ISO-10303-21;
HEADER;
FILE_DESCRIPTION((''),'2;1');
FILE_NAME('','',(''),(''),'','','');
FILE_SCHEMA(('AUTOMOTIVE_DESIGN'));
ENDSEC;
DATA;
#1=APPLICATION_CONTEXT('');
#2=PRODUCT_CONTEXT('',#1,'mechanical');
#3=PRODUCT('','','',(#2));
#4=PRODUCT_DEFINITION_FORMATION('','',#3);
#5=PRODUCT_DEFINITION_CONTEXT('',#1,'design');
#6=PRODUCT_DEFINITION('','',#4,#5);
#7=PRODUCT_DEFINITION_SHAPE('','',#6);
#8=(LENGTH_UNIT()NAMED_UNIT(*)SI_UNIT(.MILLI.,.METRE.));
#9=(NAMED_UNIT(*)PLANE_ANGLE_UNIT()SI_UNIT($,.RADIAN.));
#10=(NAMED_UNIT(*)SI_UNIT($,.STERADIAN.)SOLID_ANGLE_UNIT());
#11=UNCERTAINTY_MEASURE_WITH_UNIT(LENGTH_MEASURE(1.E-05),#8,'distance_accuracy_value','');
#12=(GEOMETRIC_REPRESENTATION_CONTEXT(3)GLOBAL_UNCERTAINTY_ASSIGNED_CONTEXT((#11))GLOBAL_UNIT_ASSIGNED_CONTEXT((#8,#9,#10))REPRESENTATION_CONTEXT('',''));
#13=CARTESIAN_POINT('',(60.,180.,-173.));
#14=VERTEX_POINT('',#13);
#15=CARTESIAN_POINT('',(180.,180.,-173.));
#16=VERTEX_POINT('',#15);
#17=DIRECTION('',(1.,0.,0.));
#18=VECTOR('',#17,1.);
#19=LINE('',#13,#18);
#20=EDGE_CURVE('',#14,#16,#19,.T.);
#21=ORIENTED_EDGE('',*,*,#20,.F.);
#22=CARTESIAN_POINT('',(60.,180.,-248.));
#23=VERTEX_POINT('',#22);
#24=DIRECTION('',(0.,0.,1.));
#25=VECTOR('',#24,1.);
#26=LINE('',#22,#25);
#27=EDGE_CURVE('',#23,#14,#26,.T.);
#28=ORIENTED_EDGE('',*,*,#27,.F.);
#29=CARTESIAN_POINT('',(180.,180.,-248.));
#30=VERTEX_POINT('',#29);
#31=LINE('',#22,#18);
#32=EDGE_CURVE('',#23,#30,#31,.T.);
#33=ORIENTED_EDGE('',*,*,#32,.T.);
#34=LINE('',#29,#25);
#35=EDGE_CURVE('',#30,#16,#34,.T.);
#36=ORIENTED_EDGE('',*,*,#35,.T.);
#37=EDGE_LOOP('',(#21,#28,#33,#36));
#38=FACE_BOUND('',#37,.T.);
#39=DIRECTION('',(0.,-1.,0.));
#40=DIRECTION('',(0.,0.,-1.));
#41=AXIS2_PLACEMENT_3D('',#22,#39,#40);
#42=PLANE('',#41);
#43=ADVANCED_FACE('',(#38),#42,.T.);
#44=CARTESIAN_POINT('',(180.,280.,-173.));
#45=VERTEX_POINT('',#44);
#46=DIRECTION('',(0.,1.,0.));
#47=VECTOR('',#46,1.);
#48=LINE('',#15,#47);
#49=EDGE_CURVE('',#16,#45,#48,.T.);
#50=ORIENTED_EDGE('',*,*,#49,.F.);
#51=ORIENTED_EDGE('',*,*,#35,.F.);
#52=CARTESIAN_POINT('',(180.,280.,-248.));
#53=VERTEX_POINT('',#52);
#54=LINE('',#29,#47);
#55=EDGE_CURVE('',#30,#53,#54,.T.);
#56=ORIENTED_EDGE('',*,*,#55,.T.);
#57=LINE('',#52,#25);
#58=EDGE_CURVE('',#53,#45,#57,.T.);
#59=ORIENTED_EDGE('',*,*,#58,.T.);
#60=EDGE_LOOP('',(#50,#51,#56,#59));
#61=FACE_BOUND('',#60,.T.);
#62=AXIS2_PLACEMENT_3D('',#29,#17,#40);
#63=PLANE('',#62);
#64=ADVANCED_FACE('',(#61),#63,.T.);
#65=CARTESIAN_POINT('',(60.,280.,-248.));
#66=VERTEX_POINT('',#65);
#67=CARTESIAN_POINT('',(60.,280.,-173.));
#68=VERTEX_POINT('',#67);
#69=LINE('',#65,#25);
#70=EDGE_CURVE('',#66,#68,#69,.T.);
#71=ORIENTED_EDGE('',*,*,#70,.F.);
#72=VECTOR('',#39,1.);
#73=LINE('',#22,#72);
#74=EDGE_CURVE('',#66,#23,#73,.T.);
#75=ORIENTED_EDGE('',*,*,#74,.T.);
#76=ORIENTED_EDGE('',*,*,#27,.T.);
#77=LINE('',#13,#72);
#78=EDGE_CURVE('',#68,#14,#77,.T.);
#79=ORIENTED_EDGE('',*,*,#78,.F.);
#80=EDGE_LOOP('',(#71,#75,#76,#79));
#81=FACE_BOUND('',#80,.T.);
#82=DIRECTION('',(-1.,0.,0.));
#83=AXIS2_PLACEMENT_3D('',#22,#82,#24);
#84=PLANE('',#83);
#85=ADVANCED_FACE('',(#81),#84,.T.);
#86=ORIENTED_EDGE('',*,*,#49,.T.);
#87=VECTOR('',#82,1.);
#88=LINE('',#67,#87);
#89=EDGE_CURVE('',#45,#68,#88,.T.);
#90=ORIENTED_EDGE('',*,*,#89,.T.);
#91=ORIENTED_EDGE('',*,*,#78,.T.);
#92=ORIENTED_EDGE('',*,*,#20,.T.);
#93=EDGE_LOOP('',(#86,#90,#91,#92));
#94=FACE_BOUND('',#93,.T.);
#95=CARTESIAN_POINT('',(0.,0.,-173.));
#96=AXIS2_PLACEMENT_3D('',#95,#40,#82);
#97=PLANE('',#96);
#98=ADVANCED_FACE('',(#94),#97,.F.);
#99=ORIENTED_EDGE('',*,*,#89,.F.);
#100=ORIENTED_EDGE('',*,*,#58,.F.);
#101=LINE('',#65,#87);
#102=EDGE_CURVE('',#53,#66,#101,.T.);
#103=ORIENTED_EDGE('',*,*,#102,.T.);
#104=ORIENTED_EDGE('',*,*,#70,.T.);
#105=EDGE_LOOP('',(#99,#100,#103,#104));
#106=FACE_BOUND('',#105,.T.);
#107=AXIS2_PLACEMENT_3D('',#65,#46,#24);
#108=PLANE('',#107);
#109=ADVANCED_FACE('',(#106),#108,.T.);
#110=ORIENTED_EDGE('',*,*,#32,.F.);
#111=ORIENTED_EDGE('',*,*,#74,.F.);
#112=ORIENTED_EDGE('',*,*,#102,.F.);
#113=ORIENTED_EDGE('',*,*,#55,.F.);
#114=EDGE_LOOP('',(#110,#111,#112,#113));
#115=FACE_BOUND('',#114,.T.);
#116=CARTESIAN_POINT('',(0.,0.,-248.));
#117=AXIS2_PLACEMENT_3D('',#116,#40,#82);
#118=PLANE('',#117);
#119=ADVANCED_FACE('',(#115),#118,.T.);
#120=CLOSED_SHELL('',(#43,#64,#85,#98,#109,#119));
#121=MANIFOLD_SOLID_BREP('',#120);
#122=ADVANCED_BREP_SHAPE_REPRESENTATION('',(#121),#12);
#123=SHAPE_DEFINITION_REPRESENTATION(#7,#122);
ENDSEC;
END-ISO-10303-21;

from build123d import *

# Parameters (mm, degrees)
PACK_PANO_PLC_IO_1_START = -173
SKETCH1_W                = 120
SKETCH1_H                = 100
PACK_PANO_PLC_IO_1_DEPTH = 75


with BuildPart() as part:
    # Sketch1 → PACK_pano_plc_IO_1 (new body)
    with BuildSketch(Plane.XY.offset(PACK_PANO_PLC_IO_1_START)):
        with Locations((120, 230)):
            Rectangle(SKETCH1_W, SKETCH1_H)
    extrude(amount=-PACK_PANO_PLC_IO_1_DEPTH)


solid = part.part
